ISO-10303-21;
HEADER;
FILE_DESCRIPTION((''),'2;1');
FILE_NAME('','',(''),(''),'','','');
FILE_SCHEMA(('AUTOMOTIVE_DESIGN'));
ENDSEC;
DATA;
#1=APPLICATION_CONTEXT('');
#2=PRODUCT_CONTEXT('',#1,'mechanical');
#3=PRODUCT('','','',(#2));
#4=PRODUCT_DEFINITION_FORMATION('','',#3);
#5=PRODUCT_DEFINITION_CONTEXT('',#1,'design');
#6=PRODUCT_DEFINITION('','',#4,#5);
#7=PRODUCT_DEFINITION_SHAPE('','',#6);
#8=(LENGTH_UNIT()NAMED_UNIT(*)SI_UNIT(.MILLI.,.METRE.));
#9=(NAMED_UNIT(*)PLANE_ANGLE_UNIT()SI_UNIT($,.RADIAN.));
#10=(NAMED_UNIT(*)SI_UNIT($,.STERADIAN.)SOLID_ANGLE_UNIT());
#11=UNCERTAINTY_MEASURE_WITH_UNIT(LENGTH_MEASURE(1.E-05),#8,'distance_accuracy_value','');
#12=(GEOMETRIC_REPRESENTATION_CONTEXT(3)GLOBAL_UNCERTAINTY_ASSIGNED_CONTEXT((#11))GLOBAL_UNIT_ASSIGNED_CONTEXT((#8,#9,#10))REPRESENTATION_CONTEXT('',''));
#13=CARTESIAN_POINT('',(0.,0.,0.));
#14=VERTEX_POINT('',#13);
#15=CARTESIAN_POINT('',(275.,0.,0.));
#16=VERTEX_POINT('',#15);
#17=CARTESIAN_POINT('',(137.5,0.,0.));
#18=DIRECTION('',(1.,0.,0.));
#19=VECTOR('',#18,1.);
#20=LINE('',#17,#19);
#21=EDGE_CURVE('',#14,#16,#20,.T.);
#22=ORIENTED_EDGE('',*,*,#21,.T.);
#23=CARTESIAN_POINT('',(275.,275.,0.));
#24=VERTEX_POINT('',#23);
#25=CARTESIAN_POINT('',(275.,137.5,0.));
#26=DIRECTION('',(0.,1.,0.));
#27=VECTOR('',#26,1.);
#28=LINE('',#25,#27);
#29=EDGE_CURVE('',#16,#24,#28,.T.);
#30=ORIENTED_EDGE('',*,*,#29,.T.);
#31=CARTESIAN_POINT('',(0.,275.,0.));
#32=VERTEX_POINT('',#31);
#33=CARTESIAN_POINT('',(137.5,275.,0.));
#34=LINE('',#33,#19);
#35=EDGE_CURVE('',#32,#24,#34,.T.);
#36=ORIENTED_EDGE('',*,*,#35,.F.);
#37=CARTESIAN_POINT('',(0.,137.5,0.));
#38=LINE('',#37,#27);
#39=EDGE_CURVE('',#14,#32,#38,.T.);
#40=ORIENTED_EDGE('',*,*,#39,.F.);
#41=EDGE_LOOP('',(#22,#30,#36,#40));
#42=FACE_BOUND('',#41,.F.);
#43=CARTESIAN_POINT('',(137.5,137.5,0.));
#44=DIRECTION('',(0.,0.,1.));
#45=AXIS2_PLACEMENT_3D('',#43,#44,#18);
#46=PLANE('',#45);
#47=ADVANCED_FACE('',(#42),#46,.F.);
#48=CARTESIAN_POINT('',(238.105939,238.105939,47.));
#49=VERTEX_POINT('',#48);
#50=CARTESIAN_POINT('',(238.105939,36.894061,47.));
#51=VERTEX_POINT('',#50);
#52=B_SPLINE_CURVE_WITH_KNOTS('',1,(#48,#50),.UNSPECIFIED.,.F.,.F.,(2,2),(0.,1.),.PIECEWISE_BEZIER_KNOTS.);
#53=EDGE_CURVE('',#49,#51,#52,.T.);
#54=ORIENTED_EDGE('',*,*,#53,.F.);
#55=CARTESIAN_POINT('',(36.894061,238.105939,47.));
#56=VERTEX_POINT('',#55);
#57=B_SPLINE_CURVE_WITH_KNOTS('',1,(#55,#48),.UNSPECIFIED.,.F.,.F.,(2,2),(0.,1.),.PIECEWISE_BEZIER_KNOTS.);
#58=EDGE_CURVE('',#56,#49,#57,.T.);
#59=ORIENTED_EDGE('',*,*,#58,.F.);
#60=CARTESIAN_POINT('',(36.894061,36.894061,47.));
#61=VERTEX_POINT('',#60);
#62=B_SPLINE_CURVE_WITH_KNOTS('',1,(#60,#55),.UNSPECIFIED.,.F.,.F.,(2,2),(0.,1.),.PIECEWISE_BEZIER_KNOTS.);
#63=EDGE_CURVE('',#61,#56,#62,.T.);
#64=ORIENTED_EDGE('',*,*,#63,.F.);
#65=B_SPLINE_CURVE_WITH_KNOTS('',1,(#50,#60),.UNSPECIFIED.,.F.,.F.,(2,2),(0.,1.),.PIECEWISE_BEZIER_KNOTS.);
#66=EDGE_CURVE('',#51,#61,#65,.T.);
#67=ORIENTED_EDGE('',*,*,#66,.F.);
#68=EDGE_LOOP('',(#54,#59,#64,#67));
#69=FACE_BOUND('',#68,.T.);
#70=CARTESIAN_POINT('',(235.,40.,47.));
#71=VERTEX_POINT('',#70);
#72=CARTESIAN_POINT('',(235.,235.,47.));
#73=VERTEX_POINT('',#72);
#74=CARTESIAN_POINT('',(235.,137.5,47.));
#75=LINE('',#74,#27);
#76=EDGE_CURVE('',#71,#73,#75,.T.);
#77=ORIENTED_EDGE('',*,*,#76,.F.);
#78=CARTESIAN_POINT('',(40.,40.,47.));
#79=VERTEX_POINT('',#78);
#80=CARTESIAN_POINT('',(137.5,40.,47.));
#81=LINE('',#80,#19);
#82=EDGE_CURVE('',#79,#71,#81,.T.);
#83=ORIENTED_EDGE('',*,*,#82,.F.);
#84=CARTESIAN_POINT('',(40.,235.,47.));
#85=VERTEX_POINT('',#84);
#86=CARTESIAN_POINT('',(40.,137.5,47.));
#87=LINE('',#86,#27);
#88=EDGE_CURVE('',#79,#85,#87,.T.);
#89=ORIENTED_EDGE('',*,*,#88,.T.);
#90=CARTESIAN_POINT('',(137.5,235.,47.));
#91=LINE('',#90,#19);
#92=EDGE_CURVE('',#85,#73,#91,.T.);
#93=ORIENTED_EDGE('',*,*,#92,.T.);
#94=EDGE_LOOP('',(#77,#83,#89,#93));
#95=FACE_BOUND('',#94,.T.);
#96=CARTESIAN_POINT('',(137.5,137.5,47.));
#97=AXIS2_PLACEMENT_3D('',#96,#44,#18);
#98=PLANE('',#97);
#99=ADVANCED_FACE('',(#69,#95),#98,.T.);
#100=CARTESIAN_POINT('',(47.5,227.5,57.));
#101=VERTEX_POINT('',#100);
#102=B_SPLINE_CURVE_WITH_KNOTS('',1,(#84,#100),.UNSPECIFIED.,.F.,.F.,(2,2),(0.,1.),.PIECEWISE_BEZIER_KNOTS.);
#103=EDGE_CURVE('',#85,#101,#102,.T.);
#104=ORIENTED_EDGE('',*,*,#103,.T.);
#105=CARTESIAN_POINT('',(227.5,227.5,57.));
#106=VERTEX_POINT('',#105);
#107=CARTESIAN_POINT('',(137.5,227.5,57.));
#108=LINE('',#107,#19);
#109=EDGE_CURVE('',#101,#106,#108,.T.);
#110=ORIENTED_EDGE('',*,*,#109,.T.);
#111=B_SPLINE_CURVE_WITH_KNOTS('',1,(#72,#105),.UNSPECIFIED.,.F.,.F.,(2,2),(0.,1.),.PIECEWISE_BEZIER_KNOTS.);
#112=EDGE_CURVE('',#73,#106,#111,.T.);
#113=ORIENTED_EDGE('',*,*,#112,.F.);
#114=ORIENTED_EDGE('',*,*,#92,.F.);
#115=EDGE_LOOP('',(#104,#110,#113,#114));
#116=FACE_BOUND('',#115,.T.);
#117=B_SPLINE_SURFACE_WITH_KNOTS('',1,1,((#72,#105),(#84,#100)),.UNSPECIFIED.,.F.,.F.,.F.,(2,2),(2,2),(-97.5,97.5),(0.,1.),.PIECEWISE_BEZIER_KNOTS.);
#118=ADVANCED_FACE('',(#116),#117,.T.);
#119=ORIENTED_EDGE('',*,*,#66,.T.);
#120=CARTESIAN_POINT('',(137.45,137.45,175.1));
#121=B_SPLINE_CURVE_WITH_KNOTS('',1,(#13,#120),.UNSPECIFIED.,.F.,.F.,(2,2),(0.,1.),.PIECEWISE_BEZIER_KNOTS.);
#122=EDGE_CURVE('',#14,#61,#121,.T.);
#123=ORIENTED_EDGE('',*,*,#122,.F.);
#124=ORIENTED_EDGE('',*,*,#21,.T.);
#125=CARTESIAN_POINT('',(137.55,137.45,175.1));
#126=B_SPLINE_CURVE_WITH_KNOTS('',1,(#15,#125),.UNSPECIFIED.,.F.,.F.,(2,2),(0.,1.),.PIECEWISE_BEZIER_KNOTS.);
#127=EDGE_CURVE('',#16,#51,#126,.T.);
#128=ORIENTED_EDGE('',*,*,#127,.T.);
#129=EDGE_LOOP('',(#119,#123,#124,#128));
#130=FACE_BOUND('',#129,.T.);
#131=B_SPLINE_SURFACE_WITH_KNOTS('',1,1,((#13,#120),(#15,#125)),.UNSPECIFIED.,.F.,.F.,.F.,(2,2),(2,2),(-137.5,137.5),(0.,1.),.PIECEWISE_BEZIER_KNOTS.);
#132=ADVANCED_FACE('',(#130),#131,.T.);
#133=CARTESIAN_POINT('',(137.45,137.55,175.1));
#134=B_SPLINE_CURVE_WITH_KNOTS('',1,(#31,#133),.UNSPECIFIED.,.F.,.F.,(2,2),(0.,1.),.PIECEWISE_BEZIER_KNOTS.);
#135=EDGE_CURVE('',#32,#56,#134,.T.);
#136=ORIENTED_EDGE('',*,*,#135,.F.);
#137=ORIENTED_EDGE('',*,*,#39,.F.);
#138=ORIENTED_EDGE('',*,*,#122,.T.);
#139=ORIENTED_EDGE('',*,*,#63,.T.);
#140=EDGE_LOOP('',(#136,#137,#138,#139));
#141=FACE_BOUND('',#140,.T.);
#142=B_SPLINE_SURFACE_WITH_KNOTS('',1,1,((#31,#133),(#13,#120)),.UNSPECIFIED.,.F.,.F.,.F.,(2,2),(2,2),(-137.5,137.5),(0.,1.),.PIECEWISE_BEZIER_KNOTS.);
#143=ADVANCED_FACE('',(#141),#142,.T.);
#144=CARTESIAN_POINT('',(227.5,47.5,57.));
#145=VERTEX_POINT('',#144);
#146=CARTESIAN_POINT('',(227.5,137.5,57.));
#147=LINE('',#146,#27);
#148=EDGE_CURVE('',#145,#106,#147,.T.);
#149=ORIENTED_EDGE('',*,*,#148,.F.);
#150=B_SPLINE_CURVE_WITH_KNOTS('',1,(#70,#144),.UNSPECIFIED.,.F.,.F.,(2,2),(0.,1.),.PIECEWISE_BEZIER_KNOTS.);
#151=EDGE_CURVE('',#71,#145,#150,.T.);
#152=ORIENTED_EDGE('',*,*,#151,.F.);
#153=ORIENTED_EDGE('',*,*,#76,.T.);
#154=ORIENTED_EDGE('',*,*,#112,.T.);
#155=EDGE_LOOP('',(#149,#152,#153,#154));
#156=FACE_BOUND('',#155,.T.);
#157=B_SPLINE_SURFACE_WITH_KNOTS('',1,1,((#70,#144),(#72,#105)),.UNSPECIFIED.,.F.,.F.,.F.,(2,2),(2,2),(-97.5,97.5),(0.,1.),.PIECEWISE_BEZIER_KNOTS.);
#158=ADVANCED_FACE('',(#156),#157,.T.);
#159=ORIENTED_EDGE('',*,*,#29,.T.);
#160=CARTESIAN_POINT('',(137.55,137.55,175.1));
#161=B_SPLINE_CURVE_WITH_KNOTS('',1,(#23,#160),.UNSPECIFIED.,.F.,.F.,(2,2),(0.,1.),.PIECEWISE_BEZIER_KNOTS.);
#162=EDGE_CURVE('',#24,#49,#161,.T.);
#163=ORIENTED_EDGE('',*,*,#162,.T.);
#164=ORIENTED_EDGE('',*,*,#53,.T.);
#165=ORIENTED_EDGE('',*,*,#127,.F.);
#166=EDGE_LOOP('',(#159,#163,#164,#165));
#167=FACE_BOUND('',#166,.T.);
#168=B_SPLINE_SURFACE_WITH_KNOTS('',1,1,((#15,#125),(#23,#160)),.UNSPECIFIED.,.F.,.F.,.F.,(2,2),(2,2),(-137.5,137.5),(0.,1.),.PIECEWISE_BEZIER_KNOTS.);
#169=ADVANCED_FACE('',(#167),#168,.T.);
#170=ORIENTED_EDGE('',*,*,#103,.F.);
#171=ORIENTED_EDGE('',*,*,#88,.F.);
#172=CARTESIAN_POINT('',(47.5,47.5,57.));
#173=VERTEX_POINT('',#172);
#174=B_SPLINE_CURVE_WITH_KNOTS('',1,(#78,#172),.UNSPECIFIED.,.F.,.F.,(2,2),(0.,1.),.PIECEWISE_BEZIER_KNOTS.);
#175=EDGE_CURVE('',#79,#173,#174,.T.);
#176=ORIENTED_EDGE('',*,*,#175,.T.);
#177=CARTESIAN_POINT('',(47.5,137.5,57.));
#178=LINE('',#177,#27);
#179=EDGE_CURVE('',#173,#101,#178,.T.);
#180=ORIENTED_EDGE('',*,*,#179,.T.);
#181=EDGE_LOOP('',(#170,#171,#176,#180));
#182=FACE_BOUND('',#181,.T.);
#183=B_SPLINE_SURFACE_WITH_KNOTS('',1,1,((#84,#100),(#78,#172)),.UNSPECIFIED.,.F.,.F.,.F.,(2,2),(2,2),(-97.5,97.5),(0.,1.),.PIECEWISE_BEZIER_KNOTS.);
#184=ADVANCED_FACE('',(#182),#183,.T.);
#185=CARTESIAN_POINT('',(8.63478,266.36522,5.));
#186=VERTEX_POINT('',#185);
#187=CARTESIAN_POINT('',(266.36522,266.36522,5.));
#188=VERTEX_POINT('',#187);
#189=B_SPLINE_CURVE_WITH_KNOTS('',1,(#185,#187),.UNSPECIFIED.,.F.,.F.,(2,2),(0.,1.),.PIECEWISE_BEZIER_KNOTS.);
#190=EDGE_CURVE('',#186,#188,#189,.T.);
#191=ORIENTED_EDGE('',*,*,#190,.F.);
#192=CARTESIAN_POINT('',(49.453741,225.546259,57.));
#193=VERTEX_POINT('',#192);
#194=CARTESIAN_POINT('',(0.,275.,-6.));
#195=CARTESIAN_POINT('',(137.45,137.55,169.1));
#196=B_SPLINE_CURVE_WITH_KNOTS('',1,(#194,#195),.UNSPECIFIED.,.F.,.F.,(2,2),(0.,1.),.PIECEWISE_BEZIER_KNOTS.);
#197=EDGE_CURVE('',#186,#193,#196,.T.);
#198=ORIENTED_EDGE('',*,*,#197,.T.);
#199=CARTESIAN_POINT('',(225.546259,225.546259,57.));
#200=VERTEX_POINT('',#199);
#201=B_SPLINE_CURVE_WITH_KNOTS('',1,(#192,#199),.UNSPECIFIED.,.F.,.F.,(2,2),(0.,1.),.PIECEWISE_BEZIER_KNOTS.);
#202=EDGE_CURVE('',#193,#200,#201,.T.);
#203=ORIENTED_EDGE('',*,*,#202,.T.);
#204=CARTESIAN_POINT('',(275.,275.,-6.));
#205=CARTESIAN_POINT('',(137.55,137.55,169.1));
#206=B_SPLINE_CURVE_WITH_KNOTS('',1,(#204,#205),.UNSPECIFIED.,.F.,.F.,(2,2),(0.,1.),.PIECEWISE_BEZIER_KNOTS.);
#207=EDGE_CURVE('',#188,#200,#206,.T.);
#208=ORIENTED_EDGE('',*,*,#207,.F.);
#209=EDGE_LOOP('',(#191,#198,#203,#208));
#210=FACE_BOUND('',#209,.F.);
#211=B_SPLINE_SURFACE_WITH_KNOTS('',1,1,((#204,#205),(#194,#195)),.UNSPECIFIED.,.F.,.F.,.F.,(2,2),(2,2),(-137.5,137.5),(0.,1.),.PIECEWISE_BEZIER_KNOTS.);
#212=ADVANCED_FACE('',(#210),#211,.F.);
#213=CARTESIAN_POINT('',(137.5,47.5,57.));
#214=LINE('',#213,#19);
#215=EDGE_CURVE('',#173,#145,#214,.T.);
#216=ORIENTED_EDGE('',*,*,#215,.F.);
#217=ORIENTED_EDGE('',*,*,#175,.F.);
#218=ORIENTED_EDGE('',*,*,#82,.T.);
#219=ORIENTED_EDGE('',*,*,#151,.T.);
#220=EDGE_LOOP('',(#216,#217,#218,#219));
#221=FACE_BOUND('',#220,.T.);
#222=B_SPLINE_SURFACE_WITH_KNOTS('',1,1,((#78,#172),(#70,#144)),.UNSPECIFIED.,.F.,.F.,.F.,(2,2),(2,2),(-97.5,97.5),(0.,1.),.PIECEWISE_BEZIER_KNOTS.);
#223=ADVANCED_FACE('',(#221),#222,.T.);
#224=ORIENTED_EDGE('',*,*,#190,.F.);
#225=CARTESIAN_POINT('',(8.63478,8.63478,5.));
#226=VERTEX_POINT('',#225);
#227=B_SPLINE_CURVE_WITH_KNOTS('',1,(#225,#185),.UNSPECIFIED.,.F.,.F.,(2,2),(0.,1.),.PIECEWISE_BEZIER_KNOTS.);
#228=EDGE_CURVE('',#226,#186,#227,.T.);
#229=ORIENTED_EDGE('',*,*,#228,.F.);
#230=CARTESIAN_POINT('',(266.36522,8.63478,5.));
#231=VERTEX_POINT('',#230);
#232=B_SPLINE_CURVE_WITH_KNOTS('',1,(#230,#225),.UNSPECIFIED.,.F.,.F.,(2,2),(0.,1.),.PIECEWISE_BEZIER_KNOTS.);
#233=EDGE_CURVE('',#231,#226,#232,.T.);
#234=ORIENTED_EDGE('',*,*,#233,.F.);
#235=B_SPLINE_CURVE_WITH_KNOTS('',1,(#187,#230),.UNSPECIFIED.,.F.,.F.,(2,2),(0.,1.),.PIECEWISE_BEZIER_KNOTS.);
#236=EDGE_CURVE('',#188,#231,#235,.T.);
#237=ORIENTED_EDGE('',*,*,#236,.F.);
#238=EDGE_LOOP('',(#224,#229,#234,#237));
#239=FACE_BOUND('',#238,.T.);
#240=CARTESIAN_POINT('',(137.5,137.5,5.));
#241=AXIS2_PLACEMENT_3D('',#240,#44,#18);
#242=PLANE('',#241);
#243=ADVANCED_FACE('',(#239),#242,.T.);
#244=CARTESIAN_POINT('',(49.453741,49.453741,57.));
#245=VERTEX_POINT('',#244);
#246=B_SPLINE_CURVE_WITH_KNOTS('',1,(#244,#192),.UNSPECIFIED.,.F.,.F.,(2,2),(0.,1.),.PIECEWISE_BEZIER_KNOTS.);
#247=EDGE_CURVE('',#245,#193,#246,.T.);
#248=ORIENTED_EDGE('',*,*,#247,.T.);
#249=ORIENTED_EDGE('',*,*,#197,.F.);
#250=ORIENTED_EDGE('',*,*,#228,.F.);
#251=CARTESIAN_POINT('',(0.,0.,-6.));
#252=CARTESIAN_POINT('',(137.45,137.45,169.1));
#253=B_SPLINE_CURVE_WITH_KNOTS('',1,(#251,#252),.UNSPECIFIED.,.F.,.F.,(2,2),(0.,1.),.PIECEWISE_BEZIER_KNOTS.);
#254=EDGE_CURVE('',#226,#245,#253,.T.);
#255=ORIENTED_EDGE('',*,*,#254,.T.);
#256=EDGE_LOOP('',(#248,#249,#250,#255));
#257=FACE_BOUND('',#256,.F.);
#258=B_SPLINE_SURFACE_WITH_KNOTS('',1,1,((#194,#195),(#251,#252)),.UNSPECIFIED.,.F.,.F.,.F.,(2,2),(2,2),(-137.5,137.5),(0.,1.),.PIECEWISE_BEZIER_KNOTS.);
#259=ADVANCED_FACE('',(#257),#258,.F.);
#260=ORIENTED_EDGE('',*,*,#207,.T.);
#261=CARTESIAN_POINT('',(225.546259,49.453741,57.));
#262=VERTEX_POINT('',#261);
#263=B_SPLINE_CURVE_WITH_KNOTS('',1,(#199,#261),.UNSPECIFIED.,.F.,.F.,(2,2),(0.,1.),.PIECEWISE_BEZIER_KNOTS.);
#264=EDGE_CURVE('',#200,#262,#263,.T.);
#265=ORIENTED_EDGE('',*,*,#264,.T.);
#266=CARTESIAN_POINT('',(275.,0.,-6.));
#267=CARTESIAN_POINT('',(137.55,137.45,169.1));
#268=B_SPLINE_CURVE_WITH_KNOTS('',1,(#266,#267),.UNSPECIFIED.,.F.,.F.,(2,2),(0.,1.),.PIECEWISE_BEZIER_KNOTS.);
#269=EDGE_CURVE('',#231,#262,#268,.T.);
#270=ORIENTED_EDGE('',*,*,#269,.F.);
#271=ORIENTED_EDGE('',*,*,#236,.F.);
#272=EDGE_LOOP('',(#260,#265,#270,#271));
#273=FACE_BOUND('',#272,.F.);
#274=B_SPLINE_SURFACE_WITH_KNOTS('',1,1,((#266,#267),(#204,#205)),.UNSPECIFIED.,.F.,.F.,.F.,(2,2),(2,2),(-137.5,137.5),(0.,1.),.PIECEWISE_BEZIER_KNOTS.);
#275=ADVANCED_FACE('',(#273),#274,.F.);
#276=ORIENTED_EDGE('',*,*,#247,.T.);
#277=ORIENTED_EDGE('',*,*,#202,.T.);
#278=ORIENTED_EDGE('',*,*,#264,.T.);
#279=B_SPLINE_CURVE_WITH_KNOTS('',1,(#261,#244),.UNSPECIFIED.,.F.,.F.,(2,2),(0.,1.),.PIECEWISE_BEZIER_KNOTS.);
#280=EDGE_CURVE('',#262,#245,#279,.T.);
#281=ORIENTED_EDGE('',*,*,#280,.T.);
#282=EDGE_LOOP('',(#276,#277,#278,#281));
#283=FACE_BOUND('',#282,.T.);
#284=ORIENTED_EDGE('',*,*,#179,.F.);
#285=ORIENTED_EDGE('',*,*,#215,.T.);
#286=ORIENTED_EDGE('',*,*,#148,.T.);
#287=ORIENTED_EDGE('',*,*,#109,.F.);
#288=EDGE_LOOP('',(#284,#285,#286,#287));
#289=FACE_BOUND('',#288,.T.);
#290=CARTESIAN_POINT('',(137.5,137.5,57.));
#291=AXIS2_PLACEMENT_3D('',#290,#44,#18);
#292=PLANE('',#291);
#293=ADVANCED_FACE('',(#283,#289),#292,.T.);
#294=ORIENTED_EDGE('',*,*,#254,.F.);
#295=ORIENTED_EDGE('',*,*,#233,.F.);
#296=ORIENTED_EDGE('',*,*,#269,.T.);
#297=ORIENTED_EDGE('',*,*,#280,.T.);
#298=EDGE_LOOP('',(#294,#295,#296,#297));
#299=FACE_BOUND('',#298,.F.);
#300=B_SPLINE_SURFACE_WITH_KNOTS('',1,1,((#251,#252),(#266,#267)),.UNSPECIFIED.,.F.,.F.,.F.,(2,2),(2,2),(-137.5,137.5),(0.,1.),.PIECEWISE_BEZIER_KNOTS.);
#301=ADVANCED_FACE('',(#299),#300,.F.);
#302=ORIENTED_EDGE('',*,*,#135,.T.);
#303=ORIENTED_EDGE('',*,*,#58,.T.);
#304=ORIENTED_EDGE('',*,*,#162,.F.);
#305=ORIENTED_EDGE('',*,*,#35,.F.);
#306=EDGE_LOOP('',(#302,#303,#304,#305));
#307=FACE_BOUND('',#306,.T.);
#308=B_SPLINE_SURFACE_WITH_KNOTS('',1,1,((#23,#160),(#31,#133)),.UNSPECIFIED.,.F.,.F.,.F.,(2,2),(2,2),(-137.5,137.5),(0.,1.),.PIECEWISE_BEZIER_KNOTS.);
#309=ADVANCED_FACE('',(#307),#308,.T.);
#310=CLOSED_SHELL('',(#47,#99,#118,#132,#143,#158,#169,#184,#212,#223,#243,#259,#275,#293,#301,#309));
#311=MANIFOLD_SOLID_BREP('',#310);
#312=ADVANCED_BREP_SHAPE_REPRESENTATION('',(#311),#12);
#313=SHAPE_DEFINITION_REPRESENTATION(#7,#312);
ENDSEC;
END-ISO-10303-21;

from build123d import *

# Parameters (mm, degrees)
BOX002_W     = 275
BOX002_H     = 275
BOX002_DEPTH = 47
SKETCH022_W  = 195
SKETCH022_H  = 195
SKETCH023_W  = 180
SKETCH023_H  = 180
BOX001_W     = 275
BOX001_H     = 275
BOX001_DEPTH = 52
SKETCH020_W  = 275
SKETCH020_H  = 275
SKETCH021_W  = 0.1
SKETCH021_H  = 0.1
SKETCH018_W  = 275
SKETCH018_H  = 275
SKETCH019_W  = 0.1
SKETCH019_H  = 0.1
BOX_W        = 275
BOX_H        = 275
BOX_DEPTH    = 57


with BuildPart() as layer0keep001:
    # Box002 → Box002 (new body)
    with BuildSketch(Plane.XY):
        with Locations((137.5, 137.5)):
            Rectangle(BOX002_W, BOX002_H)
    extrude(amount=BOX002_DEPTH)


with BuildPart() as layer003:
    # Sketch022 → Loft003 section 0
    with BuildSketch(Plane.XY.offset(47)):
        with Locations((137.5, 137.5)):
            Rectangle(SKETCH022_W, SKETCH022_H)
    # Sketch023 → Loft003 section 1
    with BuildSketch(Plane.XY.offset(57)):
        with Locations((137.5, 137.5)):
            Rectangle(SKETCH023_W, SKETCH023_H)
    loft()

    # Fusion015: union layer0Keep001
    add(layer0keep001.part)


with BuildPart() as layer002:
    # Box001 → Box001 (new body)
    with BuildSketch(Plane.XY.offset(5)):
        with Locations((137.5, 137.5)):
            Rectangle(BOX001_W, BOX001_H)
    extrude(amount=BOX001_DEPTH)


with BuildPart() as layer0cut:
    # Sketch020 → Loft002 section 0
    with BuildSketch(Plane.XY):
        with Locations((137.5, 137.5)):
            Rectangle(SKETCH020_W, SKETCH020_H)
    # Sketch021 → Loft002 section 1
    with BuildSketch(Plane.XY.offset(175.1)):
        with Locations((137.5, 137.5)):
            Rectangle(SKETCH021_W, SKETCH021_H)
    loft()


with BuildPart() as layer0cut_1:
    # Loft002 placement: moved
    add(layer0cut.part.moved(Location((0, 0, -6))))

    # Common001: intersect layer002
    add(layer002.part, mode=Mode.INTERSECT)


with BuildPart() as outerlayer001:
    # Sketch018 → Loft001 section 0
    with BuildSketch(Plane.XY):
        with Locations((137.5, 137.5)):
            Rectangle(SKETCH018_W, SKETCH018_H)
    # Sketch019 → Loft001 section 1
    with BuildSketch(Plane.XY.offset(175.1)):
        with Locations((137.5, 137.5)):
            Rectangle(SKETCH019_W, SKETCH019_H)
    loft()


with BuildPart() as layerzero:
    # Box → Box (new body)
    with BuildSketch(Plane.XY):
        with Locations((137.5, 137.5)):
            Rectangle(BOX_W, BOX_H)
    extrude(amount=BOX_DEPTH)

    # Common: intersect outerLayer001
    add(outerlayer001.part, mode=Mode.INTERSECT)

    # Cut: cut layer0cut
    add(layer0cut_1.part, mode=Mode.SUBTRACT)

    # Common002: intersect layer003
    add(layer003.part, mode=Mode.INTERSECT)


solid = layerzero.part
